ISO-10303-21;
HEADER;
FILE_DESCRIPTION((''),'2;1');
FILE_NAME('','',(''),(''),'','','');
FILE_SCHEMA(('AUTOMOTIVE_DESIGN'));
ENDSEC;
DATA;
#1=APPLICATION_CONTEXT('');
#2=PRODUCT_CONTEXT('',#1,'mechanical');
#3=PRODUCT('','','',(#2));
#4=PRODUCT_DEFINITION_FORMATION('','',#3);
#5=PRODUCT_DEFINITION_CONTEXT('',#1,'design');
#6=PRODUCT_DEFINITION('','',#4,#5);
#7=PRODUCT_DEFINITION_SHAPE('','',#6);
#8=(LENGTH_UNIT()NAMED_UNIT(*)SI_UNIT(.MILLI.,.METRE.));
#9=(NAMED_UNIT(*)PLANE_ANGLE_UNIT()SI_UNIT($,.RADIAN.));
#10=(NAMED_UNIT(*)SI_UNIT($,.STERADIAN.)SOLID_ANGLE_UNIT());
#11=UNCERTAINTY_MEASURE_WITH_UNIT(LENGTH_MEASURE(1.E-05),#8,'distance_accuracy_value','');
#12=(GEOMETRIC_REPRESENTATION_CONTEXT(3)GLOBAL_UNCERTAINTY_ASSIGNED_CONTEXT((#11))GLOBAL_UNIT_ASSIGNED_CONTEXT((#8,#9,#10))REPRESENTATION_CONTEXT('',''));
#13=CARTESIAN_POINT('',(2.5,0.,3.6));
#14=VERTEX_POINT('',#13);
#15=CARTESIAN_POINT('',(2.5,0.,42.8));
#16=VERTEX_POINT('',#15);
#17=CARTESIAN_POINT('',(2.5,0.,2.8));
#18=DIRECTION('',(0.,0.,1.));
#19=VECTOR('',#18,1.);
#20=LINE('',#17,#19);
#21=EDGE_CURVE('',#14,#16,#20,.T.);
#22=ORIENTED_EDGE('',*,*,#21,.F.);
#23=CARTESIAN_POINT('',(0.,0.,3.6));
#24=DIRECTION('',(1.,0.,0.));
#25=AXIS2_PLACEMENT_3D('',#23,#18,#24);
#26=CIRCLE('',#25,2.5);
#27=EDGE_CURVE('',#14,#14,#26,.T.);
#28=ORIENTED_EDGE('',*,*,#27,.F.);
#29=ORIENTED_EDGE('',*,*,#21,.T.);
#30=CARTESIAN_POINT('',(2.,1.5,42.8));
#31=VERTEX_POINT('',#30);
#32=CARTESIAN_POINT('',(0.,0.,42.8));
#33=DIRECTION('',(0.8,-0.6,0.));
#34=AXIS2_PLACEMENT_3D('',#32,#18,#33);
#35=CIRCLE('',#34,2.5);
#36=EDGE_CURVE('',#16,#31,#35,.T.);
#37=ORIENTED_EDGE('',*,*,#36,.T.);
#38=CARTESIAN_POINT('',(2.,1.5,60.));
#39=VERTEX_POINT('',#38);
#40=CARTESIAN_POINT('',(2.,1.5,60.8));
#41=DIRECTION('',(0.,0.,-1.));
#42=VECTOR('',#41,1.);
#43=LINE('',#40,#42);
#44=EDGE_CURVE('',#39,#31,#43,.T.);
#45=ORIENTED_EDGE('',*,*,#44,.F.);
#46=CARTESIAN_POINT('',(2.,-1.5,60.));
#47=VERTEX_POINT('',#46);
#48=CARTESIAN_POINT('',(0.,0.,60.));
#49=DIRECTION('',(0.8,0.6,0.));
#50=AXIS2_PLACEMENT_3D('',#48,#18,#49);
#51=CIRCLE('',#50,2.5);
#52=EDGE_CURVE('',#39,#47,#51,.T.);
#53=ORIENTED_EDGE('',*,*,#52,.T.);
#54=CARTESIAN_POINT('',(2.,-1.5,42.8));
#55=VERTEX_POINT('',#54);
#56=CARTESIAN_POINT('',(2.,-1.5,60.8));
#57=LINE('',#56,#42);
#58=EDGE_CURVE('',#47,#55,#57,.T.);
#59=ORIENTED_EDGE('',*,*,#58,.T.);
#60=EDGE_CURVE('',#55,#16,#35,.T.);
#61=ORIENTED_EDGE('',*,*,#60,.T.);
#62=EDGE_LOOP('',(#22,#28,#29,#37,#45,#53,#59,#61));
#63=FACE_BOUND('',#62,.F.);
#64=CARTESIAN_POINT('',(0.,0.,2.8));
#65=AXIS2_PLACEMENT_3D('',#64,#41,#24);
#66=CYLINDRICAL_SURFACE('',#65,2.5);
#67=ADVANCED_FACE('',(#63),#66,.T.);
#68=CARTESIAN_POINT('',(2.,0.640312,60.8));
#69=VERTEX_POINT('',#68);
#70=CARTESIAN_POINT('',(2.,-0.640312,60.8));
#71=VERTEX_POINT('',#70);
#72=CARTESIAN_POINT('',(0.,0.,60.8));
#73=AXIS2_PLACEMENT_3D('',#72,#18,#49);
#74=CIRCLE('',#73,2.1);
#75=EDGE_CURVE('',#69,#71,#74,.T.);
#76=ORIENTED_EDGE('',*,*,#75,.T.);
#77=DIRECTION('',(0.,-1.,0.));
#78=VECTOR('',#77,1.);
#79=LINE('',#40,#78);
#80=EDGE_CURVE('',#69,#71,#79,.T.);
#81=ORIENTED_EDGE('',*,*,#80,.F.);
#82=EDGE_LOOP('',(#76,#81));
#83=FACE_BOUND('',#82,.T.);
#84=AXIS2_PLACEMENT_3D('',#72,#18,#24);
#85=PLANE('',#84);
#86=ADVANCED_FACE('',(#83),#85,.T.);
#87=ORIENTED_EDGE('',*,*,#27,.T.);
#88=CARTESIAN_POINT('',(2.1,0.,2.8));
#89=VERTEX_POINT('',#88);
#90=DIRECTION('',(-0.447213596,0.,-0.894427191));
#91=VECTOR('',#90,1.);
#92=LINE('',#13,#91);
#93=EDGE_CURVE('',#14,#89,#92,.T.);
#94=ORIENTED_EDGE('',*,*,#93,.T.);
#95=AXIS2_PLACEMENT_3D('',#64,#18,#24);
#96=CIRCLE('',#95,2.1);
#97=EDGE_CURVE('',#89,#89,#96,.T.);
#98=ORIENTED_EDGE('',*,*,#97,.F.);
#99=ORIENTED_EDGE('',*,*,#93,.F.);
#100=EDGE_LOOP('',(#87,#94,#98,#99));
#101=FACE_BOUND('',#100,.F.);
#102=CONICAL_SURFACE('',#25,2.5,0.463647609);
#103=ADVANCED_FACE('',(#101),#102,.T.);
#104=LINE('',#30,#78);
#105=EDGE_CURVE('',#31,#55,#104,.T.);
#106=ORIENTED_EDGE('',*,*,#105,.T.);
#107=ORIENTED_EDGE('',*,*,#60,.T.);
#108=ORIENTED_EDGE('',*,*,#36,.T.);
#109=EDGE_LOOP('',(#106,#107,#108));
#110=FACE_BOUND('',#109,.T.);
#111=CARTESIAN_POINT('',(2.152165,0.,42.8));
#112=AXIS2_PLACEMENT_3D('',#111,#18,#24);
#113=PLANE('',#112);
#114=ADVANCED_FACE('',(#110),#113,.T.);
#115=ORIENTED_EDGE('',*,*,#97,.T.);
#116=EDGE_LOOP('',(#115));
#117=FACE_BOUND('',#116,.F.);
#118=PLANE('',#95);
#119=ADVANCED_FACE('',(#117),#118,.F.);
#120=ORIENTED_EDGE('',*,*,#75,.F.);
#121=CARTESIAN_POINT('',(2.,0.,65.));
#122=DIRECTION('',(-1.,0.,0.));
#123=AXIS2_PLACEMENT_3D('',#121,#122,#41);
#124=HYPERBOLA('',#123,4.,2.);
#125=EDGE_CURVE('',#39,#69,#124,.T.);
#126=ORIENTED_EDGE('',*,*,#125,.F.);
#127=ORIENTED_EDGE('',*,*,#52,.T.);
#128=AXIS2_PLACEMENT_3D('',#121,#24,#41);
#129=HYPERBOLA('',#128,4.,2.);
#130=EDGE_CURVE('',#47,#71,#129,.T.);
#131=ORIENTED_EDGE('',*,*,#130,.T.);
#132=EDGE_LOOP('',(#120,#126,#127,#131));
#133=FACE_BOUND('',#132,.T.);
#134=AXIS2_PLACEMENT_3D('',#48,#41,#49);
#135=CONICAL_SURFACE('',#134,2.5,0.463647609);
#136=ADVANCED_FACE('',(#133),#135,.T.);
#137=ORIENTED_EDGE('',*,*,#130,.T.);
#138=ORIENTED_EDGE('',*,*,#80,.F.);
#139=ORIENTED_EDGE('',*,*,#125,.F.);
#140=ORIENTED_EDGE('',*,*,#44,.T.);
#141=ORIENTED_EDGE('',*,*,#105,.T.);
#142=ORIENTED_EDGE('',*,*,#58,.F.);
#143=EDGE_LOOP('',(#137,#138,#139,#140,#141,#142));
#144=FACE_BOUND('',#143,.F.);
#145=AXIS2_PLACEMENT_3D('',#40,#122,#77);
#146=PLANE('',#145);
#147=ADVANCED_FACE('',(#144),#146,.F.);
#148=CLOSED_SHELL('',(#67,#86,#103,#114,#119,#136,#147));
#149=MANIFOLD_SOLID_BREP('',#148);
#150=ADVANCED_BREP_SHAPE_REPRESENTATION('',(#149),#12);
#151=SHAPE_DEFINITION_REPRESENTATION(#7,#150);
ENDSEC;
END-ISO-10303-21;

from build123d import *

# Parameters (mm, degrees)
SKETCH039_R      = 2.5
PAD023_DEPTH     = 58
POCKET003_DEPTH  = 18
CHAMFER002_SIZE2 = 0.4
CHAMFER002_SIZE  = 0.8


with BuildPart() as part:
    # Sketch039 → Pad023 (new body)
    with BuildSketch(Plane.XY):
        Circle(SKETCH039_R)
    extrude(amount=PAD023_DEPTH)

    # Sketch040 (on Face3 of Pad023) → Pocket003 (cut)
    with BuildSketch(Plane.XY.offset(58)):
        with BuildLine():
            ThreePointArc((2, -1.5), (2.5, 0), (2, 1.5))
            Line((2, 1.5), (2, -1.5))
        make_face()
    extrude(amount=-POCKET003_DEPTH, mode=Mode.SUBTRACT)

    # Chamfer002
    chamfer002_edges = [part.edges().sort_by_distance(p)[0] for p in [
        (-2.5, 0, 58),
        (-2.5, 0, 0),
    ]]
    chamfer002_side = part.faces().sort_by_distance((-2.5, 0, 29))[0]
    chamfer(chamfer002_edges, length=CHAMFER002_SIZE, length2=CHAMFER002_SIZE2, reference=chamfer002_side)


with BuildPart() as part_1:
    # Body012 placement: moved
    add(part.part.moved(Location((0, 0, 2.8))))


solid = part_1.part
